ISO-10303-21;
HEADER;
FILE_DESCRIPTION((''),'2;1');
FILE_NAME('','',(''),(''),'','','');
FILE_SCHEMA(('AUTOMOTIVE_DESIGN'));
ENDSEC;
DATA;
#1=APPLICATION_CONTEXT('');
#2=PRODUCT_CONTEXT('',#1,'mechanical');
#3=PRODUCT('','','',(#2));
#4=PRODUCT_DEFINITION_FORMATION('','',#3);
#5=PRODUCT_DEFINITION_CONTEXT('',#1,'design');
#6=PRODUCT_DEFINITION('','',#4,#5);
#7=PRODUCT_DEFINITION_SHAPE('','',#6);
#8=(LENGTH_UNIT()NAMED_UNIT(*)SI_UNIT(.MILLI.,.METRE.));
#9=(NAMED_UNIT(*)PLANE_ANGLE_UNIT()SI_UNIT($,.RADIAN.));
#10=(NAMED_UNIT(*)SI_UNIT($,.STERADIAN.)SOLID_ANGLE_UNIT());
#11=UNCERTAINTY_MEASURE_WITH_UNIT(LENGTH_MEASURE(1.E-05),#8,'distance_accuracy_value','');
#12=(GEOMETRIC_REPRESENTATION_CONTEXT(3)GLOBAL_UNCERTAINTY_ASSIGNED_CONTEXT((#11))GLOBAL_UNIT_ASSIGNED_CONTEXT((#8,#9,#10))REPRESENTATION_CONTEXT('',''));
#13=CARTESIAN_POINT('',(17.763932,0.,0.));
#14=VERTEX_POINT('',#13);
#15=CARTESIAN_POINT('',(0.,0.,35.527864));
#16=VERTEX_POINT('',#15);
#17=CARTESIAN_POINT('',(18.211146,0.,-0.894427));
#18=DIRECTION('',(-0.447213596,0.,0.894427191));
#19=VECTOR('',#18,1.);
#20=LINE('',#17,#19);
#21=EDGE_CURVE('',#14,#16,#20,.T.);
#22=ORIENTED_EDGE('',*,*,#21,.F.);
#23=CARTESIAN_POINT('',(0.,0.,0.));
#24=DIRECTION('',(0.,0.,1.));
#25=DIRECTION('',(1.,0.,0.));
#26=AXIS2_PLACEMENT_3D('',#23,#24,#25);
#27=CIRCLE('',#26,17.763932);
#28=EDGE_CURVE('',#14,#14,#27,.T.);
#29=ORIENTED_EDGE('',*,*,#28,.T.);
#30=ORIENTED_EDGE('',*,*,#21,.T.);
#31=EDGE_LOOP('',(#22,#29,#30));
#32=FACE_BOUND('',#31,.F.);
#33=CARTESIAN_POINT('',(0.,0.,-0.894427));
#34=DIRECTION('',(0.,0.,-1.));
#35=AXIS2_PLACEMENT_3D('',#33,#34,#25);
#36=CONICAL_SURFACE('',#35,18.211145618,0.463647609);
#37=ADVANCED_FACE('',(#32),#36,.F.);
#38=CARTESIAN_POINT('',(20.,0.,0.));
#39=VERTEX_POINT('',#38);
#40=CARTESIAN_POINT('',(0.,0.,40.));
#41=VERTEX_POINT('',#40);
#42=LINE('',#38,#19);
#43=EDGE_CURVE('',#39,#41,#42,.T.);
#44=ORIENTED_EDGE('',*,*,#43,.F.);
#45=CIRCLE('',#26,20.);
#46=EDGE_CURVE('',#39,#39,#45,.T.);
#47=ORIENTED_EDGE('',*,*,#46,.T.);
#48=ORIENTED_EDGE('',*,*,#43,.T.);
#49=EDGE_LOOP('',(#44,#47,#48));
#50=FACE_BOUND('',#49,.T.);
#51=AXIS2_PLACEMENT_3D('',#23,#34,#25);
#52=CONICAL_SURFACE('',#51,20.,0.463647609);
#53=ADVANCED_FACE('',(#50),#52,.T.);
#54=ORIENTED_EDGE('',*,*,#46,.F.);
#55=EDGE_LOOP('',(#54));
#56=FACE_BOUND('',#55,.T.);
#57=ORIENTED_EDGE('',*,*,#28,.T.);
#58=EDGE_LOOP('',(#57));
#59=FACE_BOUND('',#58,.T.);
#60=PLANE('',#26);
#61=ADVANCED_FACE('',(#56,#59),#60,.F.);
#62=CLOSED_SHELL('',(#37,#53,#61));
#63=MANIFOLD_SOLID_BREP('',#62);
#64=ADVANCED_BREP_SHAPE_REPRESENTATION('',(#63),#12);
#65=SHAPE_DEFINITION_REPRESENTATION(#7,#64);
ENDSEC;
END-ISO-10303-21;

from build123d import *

# Parameters (mm, degrees)
F3_T = -2


with BuildPart() as f1:
    # F0 (on Front) → F1 (revolve)
    with BuildSketch(Plane.XZ):
        Polygon((0, 40), (0, 0), (20, 0), align=None)
    revolve(axis=Axis((0, 0, 20), (0, 0, 1)))

    # F3
    f3_openings = [f1.faces().sort_by_distance(p)[0] for p in [
        (0, 0, 0),
    ]]
    offset(amount=F3_T, openings=f3_openings)


solid = f1.part
